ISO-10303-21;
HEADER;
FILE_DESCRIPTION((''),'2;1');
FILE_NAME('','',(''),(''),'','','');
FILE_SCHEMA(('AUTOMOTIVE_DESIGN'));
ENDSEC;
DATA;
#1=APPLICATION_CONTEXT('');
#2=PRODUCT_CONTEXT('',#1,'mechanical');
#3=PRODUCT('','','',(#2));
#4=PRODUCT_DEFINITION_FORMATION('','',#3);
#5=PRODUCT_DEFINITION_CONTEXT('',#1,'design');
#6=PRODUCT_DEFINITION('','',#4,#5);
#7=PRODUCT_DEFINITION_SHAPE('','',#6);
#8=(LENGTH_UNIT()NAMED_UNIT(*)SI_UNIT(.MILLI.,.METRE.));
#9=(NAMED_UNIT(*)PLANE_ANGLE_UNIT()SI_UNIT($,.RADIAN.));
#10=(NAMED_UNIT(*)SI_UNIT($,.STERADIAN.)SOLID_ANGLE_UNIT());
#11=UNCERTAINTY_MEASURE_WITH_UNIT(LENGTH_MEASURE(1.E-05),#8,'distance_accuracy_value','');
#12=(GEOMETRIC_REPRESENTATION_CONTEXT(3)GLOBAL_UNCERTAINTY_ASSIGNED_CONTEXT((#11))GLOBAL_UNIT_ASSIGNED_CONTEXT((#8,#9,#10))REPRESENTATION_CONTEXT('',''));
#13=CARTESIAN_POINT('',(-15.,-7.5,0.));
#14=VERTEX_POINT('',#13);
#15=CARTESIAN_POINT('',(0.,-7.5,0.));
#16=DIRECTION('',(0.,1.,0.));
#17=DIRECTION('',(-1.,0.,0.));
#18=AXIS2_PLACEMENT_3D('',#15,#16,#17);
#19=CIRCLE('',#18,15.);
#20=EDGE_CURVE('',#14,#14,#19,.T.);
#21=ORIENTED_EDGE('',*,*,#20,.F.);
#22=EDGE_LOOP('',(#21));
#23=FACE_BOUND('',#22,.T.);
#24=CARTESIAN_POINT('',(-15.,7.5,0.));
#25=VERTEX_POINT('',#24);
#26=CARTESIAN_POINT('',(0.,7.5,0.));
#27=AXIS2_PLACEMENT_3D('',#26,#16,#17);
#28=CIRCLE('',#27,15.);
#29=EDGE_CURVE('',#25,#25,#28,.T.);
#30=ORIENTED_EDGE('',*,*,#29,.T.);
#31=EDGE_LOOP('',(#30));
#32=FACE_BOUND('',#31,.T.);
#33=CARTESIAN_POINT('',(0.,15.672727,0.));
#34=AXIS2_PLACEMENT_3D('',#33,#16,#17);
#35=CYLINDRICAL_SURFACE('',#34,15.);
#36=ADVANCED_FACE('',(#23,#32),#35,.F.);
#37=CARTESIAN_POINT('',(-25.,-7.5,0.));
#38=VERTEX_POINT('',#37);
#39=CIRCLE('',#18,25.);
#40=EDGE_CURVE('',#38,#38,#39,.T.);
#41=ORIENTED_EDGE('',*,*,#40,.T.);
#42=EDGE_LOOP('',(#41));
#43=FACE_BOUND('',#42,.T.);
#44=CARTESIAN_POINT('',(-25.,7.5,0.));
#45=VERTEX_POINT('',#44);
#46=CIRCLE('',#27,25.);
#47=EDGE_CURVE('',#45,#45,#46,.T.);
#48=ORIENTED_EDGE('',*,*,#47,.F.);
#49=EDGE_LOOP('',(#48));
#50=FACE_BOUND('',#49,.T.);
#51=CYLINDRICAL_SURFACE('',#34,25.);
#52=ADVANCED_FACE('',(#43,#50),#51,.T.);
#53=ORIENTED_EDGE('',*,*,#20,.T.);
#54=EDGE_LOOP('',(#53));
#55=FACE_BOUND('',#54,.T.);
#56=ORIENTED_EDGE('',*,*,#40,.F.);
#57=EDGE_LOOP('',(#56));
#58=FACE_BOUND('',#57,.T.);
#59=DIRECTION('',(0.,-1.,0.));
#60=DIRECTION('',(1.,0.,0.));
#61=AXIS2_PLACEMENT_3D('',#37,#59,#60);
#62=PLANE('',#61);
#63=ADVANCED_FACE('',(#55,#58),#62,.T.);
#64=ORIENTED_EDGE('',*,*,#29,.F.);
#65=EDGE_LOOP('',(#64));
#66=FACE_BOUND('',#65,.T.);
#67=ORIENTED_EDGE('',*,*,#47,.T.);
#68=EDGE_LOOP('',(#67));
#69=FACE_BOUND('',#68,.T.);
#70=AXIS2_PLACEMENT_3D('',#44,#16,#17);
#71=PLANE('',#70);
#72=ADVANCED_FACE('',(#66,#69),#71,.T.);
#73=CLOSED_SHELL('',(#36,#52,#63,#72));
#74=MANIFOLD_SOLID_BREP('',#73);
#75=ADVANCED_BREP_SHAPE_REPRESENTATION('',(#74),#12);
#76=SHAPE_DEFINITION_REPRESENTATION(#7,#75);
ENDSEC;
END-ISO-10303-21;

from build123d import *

# Parameters (mm, degrees)
SKETCH_3_W = 10
SKETCH_3_H = 15


with BuildPart() as part:
    # 草图3 → 旋转1 (revolve)
    with BuildSketch(Plane.XY):
        with Locations((-20, 0)):
            Rectangle(SKETCH_3_W, SKETCH_3_H)
    revolve(axis=Axis((0, 15.672727273, 0), (0, -1, 0)))


solid = part.part
